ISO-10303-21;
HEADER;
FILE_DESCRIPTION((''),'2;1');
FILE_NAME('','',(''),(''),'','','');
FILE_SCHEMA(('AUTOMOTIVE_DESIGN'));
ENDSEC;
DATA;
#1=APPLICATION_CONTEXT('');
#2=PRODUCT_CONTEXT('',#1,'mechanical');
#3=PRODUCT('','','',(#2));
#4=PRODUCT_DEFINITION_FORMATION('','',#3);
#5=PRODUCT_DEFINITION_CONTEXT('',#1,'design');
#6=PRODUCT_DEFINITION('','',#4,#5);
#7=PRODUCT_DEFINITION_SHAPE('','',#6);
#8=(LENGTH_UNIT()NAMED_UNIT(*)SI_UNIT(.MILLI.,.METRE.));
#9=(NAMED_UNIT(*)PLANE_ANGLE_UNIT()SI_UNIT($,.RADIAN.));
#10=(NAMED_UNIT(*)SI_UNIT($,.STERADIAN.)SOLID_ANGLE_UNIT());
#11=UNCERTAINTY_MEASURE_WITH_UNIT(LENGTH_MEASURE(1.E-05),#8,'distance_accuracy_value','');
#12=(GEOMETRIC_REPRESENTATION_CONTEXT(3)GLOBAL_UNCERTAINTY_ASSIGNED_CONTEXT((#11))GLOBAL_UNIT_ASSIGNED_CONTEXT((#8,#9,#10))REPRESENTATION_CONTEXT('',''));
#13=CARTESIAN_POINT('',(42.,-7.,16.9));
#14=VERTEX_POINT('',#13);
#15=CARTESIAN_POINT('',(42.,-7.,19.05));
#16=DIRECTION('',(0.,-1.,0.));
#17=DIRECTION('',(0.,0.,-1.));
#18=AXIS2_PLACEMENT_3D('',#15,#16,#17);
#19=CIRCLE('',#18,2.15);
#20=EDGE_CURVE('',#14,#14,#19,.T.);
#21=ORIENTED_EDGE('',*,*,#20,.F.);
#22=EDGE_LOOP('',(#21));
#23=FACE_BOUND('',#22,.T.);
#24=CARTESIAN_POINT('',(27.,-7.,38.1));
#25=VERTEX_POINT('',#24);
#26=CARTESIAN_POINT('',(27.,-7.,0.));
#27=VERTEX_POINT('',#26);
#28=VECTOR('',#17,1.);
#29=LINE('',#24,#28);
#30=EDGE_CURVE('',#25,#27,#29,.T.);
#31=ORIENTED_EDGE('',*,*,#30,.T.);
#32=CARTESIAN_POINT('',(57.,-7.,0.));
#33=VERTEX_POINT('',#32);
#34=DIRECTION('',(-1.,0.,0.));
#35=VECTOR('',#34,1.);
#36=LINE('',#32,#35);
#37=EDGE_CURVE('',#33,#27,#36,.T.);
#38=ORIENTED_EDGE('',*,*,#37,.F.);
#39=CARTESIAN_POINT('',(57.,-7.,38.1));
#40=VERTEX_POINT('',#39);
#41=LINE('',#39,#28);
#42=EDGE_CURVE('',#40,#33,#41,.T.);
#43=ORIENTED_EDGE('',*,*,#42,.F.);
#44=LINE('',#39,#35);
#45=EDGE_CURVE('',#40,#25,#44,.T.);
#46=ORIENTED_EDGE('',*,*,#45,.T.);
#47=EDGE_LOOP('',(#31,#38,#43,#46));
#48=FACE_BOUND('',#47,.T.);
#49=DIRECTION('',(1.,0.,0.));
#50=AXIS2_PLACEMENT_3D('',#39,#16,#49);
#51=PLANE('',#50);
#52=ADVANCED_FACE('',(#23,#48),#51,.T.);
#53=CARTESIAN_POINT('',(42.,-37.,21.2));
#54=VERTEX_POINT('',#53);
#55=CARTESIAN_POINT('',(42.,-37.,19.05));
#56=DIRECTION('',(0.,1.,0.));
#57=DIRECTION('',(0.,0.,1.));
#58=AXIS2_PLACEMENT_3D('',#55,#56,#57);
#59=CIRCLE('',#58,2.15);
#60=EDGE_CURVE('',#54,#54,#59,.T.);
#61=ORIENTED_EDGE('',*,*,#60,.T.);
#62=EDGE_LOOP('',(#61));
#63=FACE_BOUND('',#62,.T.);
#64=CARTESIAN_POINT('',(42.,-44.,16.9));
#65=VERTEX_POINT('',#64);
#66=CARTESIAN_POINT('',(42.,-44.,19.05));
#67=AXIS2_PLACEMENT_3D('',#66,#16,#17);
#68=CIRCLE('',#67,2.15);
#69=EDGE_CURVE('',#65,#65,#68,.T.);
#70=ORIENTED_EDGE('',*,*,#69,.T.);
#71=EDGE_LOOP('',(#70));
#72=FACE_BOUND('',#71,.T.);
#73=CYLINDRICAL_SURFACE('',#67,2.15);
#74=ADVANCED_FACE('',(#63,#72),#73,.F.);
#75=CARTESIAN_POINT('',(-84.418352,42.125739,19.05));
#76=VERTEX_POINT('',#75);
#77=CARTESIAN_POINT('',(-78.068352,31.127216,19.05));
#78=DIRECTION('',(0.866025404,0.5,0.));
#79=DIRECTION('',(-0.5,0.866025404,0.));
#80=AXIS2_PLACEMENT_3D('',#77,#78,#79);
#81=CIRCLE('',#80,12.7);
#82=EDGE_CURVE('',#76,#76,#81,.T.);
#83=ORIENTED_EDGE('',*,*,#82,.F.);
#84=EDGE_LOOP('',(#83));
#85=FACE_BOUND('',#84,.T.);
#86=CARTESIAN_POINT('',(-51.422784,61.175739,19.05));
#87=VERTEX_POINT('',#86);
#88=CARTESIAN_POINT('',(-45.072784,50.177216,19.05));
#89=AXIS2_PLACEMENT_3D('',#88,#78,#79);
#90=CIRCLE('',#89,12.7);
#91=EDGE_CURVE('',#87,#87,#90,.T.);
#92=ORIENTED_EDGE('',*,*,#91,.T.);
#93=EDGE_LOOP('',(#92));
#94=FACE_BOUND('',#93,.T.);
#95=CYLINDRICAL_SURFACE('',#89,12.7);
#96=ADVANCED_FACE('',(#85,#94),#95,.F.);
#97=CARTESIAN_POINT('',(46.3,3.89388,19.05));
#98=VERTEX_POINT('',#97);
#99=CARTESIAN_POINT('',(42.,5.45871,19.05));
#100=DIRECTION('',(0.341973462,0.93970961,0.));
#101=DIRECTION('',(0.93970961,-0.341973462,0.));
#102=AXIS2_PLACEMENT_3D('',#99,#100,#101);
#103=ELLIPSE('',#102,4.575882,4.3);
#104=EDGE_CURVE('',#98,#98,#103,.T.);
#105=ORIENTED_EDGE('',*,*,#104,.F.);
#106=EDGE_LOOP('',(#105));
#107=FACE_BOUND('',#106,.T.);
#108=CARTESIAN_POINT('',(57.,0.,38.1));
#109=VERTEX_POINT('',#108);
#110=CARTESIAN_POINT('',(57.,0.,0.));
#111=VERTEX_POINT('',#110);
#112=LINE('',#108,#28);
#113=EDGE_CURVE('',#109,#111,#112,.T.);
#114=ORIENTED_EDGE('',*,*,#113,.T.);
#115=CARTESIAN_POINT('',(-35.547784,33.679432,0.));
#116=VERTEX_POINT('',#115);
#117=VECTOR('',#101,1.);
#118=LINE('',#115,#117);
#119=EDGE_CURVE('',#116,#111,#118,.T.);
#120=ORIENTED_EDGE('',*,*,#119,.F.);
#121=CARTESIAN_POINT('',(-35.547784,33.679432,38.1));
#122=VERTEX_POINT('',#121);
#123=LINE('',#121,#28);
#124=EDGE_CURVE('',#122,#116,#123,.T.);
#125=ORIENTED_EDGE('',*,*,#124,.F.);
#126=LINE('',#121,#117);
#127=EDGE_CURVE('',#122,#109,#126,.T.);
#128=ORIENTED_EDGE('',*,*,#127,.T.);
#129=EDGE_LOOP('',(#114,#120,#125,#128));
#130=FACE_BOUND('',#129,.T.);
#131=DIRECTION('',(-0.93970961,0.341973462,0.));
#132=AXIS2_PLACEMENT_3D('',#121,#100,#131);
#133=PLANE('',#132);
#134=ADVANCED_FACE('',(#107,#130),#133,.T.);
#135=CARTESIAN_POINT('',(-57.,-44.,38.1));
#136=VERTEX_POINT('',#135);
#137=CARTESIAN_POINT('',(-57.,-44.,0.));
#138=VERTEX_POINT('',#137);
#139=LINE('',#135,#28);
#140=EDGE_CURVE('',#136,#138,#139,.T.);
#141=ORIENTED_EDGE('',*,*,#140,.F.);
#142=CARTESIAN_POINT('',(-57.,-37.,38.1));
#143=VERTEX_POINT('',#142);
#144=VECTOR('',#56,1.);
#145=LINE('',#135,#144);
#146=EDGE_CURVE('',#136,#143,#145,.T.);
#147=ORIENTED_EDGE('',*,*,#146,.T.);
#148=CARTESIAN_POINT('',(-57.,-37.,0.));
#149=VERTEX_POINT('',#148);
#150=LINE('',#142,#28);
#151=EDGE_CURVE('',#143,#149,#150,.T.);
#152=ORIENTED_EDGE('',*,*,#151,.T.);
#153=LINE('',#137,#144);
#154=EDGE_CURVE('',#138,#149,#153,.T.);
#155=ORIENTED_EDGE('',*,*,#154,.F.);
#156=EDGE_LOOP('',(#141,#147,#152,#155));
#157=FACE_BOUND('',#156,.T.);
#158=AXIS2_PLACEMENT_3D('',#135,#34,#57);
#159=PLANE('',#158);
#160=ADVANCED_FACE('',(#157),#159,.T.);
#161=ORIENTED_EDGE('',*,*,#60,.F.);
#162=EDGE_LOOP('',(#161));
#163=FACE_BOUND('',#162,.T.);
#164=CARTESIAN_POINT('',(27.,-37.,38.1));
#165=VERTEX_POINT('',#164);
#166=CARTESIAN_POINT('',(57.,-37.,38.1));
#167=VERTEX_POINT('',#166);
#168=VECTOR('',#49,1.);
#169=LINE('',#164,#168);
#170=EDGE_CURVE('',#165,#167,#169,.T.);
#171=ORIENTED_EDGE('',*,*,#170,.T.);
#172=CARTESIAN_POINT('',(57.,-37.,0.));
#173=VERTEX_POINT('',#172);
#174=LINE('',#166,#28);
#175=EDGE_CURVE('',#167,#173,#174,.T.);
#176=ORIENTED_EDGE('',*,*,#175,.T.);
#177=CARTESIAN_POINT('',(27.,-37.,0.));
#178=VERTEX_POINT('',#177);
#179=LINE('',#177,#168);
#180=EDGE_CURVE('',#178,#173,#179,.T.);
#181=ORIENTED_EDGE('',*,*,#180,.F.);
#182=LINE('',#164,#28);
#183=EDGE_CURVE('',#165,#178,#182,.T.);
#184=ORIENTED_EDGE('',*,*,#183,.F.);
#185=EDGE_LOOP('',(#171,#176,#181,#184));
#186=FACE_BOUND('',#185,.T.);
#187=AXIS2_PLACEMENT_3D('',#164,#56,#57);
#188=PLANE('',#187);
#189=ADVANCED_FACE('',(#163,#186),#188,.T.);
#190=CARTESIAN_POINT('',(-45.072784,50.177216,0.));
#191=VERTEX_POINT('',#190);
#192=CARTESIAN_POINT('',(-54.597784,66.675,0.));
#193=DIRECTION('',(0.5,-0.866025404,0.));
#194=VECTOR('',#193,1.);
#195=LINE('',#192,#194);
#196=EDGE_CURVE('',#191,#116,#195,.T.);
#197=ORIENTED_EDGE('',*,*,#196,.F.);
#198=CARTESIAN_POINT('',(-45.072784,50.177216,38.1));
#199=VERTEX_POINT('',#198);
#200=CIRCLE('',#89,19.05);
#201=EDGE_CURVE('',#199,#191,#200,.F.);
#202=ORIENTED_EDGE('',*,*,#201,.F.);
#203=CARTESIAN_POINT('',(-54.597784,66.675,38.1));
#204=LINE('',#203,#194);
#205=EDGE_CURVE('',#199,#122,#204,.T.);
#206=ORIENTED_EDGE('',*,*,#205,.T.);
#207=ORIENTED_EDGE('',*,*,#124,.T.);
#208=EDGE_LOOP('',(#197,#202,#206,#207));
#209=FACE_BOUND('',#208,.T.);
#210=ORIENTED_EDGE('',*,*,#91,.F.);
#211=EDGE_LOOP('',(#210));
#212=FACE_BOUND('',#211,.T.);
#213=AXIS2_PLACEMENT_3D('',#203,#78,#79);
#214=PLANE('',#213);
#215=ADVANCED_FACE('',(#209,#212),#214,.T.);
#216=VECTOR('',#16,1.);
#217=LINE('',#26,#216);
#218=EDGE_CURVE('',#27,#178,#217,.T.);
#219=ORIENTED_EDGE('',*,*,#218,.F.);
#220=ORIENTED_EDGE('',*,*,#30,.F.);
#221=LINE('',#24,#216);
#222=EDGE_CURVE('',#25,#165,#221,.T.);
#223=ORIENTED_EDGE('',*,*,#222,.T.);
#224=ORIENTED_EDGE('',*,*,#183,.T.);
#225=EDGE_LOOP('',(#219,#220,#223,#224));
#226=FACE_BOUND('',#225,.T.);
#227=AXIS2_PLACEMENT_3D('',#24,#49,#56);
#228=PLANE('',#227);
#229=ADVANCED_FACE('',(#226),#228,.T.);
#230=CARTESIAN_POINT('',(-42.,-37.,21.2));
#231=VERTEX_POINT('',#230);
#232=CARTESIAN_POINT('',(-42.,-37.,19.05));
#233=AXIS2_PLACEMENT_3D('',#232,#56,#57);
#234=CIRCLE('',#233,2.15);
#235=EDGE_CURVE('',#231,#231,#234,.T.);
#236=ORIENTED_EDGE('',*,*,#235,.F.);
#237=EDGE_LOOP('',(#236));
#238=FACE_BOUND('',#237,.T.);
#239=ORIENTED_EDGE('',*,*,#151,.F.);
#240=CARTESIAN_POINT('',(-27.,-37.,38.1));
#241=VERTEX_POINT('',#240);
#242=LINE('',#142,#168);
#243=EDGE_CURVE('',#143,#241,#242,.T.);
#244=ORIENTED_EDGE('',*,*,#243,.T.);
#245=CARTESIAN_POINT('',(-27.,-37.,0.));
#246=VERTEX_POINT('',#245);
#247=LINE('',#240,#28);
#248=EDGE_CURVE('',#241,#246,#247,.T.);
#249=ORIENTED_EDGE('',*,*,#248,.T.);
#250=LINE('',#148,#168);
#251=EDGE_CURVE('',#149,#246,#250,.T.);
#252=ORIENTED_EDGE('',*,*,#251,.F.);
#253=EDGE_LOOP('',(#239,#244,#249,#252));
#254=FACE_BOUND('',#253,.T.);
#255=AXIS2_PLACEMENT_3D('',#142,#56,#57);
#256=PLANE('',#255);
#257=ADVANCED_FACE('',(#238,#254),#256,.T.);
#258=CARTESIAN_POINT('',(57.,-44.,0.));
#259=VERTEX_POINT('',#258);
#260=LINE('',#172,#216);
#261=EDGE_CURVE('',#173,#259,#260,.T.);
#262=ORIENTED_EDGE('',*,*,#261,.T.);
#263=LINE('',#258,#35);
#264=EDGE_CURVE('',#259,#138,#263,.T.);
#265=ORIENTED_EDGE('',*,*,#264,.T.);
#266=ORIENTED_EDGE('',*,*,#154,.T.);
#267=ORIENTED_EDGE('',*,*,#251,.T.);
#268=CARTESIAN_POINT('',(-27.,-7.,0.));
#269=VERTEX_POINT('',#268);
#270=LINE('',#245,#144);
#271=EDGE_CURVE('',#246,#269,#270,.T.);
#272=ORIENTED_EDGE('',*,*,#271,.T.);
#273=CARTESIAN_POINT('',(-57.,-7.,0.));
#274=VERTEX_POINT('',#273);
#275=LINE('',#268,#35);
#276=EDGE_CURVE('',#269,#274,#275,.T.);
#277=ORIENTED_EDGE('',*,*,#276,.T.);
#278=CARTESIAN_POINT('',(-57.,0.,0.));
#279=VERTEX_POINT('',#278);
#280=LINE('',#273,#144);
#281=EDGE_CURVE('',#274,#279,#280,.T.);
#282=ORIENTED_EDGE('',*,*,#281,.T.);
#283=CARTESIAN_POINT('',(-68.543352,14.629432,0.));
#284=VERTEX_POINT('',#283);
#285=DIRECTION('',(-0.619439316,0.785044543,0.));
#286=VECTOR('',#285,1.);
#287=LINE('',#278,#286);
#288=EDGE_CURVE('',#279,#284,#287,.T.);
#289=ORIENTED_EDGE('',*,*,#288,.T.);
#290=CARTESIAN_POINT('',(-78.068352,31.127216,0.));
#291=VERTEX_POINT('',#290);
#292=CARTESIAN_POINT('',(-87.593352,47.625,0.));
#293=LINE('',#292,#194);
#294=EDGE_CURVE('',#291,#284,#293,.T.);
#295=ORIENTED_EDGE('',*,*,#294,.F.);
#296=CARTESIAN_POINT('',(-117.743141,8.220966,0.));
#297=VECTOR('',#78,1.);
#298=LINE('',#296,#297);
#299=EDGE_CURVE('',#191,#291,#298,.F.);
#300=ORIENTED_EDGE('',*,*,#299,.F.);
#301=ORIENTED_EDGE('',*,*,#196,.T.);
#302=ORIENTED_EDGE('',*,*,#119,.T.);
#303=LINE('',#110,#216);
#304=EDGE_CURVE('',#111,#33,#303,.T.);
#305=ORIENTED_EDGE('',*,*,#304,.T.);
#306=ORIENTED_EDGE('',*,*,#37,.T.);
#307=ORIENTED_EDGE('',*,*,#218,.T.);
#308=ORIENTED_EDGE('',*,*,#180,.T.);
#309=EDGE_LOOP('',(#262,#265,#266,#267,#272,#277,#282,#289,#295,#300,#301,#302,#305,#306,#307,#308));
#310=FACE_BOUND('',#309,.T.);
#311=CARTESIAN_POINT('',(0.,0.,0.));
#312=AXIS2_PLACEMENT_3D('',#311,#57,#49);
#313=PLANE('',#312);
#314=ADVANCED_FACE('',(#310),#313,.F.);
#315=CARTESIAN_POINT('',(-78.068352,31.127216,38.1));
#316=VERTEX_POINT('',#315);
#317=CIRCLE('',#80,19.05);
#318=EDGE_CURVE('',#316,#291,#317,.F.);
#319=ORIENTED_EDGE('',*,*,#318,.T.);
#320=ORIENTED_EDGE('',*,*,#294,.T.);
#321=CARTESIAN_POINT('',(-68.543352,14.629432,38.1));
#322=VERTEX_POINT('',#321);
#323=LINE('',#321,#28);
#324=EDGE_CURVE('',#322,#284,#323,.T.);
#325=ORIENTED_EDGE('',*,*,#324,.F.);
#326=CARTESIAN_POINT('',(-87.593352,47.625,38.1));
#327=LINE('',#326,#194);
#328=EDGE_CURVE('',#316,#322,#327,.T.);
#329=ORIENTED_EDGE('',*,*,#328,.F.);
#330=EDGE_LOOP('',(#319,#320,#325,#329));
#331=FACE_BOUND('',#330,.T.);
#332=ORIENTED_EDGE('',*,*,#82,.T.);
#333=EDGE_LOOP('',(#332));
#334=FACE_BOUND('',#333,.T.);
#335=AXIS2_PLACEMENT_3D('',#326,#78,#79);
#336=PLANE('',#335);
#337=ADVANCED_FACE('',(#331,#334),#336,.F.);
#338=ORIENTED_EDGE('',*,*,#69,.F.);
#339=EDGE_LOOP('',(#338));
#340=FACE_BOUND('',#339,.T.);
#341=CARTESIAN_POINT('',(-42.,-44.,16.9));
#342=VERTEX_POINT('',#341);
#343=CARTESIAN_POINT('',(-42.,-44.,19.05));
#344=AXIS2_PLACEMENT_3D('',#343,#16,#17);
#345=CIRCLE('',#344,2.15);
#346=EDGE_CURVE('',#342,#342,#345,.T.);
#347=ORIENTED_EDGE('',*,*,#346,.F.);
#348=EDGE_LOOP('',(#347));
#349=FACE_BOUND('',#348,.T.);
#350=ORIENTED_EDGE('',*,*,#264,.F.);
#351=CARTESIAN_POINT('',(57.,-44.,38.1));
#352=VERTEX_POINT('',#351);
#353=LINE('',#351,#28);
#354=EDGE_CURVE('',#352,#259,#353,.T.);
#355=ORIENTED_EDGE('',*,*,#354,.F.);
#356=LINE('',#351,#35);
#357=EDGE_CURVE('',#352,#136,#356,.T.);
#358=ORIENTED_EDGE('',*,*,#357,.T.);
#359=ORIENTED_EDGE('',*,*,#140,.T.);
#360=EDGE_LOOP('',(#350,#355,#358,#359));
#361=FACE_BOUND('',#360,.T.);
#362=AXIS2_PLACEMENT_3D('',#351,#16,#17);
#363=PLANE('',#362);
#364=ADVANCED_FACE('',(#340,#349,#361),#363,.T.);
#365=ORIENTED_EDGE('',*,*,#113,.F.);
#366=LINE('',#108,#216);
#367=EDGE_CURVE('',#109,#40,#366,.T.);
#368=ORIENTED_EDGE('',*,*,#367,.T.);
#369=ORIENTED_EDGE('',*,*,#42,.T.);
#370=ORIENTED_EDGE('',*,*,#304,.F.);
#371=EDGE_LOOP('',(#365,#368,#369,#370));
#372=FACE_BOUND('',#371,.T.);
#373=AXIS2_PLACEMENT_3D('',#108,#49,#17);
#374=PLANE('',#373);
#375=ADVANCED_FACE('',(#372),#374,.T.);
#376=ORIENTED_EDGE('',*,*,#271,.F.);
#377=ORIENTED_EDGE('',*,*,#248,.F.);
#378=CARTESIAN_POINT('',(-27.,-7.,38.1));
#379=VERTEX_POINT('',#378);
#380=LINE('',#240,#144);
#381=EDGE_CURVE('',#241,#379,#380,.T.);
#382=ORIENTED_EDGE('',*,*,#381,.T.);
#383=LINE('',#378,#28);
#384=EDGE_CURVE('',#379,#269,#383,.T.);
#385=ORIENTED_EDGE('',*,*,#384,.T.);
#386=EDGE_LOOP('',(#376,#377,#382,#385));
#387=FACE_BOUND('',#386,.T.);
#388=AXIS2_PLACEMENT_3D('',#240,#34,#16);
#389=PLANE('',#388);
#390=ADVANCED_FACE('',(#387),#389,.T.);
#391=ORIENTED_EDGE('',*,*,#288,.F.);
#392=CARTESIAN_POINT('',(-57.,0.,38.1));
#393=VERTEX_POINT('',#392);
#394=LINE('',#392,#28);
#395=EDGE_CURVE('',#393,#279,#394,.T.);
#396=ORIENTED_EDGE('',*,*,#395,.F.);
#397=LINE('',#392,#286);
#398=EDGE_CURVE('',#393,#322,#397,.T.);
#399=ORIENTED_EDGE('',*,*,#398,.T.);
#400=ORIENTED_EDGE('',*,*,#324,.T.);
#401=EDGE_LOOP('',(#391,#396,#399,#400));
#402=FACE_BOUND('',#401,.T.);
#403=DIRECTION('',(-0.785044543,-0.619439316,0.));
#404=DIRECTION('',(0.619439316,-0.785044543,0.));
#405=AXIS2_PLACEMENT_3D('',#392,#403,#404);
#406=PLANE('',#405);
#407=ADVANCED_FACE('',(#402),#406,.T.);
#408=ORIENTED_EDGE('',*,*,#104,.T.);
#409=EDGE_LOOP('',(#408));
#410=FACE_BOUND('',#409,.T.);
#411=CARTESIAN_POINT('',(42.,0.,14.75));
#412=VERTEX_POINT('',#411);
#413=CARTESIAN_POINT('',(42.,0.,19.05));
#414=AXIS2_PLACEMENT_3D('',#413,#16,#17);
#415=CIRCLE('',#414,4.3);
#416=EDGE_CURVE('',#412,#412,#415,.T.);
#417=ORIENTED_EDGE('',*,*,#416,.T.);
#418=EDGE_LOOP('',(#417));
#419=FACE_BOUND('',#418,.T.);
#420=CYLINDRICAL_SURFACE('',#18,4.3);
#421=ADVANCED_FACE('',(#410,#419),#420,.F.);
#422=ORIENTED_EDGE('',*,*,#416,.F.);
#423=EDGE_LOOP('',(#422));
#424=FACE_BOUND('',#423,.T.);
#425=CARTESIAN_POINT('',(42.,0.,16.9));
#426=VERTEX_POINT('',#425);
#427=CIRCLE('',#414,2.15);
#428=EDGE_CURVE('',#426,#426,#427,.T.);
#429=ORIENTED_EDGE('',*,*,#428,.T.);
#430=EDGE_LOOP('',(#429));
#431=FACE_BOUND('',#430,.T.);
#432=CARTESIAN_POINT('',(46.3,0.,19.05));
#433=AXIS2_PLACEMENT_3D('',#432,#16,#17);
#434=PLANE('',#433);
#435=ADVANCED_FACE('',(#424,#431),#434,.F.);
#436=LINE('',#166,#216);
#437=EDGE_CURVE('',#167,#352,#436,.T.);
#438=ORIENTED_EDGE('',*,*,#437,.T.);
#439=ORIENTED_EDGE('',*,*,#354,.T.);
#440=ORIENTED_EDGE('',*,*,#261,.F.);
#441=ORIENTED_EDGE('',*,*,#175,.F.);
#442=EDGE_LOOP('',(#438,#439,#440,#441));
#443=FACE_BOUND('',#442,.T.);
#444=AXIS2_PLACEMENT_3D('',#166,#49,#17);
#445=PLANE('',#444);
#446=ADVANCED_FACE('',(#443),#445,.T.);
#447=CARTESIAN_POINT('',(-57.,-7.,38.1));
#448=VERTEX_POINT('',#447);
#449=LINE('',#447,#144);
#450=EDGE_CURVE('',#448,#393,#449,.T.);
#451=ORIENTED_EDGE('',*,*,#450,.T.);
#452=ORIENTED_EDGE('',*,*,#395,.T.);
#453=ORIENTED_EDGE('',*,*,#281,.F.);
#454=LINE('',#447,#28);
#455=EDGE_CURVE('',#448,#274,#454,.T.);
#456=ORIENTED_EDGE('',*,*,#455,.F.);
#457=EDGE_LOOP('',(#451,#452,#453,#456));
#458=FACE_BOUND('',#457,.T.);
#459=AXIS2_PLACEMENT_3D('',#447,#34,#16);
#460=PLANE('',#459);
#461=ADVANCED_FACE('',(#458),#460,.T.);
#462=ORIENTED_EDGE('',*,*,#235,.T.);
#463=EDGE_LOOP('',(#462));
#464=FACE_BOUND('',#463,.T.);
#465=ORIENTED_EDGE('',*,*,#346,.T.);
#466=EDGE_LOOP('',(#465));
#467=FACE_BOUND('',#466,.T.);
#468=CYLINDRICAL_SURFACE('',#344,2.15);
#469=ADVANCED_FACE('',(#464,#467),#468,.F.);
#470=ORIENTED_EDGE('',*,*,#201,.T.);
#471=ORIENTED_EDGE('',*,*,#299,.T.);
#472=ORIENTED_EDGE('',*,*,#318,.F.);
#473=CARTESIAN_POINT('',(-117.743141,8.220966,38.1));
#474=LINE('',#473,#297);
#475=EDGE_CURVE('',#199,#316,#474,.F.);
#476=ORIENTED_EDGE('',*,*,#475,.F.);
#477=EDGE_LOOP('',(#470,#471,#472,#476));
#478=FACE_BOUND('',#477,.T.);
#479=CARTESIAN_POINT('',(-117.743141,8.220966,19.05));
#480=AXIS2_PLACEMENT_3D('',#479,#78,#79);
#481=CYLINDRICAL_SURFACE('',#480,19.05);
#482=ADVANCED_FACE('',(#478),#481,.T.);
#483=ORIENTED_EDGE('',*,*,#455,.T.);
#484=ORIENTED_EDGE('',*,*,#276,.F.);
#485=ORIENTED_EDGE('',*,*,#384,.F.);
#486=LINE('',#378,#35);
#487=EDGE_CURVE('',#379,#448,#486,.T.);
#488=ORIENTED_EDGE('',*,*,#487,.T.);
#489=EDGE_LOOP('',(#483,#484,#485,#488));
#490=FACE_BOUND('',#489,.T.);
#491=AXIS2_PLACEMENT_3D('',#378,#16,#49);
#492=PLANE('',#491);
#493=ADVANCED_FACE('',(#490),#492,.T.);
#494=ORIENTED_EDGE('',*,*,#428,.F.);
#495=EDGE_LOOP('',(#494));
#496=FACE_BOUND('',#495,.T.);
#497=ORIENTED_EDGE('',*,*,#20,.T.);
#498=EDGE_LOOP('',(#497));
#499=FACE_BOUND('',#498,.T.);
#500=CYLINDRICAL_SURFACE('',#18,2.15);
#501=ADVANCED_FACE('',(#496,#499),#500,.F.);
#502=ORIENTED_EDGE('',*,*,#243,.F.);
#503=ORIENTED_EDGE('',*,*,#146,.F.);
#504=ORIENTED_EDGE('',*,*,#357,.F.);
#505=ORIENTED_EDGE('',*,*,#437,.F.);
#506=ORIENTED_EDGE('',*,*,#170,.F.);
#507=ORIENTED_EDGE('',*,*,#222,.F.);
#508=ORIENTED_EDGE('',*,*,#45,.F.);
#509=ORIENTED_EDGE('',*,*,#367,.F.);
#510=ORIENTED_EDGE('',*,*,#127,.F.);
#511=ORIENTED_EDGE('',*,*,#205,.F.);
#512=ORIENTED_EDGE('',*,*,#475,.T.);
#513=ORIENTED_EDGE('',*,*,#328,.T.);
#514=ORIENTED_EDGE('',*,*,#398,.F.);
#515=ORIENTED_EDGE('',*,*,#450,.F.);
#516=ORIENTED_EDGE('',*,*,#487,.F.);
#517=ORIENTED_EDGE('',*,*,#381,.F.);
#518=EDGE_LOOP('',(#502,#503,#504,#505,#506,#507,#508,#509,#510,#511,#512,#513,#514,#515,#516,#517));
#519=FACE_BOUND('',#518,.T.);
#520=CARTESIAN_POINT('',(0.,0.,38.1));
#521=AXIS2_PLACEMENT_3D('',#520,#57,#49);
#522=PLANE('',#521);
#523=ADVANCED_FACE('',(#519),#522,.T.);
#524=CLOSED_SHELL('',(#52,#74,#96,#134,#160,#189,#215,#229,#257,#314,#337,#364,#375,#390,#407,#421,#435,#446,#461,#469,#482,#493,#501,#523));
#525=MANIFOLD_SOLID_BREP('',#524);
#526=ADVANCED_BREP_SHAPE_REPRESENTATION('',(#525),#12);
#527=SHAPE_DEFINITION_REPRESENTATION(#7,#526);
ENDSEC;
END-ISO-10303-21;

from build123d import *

# Parameters (mm, degrees)
BOSS_EXTRUDE1_DEPTH = 38.1
CUT_EXTRUDE1_DEPTH  = 84.912499942
HOLE3_D             = 25.4
HOLE4_D             = 4.300000036
HOLE4_DEPTH         = 6.99999997


with BuildPart() as part:
    # Sketch7 → Boss-Extrude1 (new body)
    with BuildSketch(Plane.XY):
        Polygon((-87.593351826, 47.625), (-54.597783942, 66.675), (-35.547783942, 33.679432116), (56.999999919, 0), (56.999999919, -6.99999997), (26.999999975, -6.99999997), (26.999999975, -36.999999914), (56.999999919, -36.999999914), (56.999999919, -43.999999884), (-56.999999919, -43.999999884), (-56.999999919, -36.999999914), (-26.999999975, -36.999999914), (-26.999999975, -6.99999997), (-56.999999919, -6.99999997), (-56.999999919, 0), (-68.543351826, 14.629432116), align=None)
    extrude(amount=BOSS_EXTRUDE1_DEPTH)

    # Sketch8 → Cut-Extrude1 (cut, through all)
    with BuildSketch(Plane(origin=(-12.077216058, -6.972783942, 0), x_dir=(0, 0, -1), z_dir=(0.866025404, 0.5, 0))):
        with BuildLine():
            ThreePointArc((-38.1, 65.991135768), (-32.520384182, 79.46151995), (-19.05, 85.041135768))
            Line((-19.05, 85.041135768), (-38.1, 85.041135768))
            Line((-38.1, 85.041135768), (-38.1, 65.991135768))
        make_face()
        with BuildLine():
            Line((0, 65.991135768), (0, 85.041135768))
            Line((0, 85.041135768), (-19.05, 85.041135768))
            ThreePointArc((-19.05, 85.041135768), (-5.579615818, 79.46151995), (0, 65.991135768))
        make_face()
    extrude(amount=-CUT_EXTRUDE1_DEPTH, mode=Mode.SUBTRACT)

    # Hole3 (through all)
    with Locations(Plane(origin=(-12.077216058, -6.972783942, 0), x_dir=(0, 0, -1), z_dir=(0.866025404, 0.5, 0))):
        with Locations((-19.05, 65.991135768)):
            Hole(HOLE3_D / 2)

    # Hole4
    with Locations(Plane.XZ.offset(43.999999884)):
        with Locations((-41.999999947, 19.05), (41.999999947, 19.05)):
            Hole(HOLE4_D / 2, depth=HOLE4_DEPTH)

    # Sketch21 → Hole5 (revolve, cut)
    with BuildSketch(Plane(origin=(41.999999947, -6.99999997, 19.05), x_dir=(0, 0, -1), z_dir=(1, 0, 0))):
        Polygon((0, 0), (0, 73.67499997), (4.300000036, 73.67499997), (4.300000036, 6.99999997), (2.150000018, 6.99999997), (2.150000018, 0), align=None)
    revolve(axis=Axis((41.999999947, 103.00000003, 19.05), (0, -1, 0)), mode=Mode.SUBTRACT)


solid = part.part
